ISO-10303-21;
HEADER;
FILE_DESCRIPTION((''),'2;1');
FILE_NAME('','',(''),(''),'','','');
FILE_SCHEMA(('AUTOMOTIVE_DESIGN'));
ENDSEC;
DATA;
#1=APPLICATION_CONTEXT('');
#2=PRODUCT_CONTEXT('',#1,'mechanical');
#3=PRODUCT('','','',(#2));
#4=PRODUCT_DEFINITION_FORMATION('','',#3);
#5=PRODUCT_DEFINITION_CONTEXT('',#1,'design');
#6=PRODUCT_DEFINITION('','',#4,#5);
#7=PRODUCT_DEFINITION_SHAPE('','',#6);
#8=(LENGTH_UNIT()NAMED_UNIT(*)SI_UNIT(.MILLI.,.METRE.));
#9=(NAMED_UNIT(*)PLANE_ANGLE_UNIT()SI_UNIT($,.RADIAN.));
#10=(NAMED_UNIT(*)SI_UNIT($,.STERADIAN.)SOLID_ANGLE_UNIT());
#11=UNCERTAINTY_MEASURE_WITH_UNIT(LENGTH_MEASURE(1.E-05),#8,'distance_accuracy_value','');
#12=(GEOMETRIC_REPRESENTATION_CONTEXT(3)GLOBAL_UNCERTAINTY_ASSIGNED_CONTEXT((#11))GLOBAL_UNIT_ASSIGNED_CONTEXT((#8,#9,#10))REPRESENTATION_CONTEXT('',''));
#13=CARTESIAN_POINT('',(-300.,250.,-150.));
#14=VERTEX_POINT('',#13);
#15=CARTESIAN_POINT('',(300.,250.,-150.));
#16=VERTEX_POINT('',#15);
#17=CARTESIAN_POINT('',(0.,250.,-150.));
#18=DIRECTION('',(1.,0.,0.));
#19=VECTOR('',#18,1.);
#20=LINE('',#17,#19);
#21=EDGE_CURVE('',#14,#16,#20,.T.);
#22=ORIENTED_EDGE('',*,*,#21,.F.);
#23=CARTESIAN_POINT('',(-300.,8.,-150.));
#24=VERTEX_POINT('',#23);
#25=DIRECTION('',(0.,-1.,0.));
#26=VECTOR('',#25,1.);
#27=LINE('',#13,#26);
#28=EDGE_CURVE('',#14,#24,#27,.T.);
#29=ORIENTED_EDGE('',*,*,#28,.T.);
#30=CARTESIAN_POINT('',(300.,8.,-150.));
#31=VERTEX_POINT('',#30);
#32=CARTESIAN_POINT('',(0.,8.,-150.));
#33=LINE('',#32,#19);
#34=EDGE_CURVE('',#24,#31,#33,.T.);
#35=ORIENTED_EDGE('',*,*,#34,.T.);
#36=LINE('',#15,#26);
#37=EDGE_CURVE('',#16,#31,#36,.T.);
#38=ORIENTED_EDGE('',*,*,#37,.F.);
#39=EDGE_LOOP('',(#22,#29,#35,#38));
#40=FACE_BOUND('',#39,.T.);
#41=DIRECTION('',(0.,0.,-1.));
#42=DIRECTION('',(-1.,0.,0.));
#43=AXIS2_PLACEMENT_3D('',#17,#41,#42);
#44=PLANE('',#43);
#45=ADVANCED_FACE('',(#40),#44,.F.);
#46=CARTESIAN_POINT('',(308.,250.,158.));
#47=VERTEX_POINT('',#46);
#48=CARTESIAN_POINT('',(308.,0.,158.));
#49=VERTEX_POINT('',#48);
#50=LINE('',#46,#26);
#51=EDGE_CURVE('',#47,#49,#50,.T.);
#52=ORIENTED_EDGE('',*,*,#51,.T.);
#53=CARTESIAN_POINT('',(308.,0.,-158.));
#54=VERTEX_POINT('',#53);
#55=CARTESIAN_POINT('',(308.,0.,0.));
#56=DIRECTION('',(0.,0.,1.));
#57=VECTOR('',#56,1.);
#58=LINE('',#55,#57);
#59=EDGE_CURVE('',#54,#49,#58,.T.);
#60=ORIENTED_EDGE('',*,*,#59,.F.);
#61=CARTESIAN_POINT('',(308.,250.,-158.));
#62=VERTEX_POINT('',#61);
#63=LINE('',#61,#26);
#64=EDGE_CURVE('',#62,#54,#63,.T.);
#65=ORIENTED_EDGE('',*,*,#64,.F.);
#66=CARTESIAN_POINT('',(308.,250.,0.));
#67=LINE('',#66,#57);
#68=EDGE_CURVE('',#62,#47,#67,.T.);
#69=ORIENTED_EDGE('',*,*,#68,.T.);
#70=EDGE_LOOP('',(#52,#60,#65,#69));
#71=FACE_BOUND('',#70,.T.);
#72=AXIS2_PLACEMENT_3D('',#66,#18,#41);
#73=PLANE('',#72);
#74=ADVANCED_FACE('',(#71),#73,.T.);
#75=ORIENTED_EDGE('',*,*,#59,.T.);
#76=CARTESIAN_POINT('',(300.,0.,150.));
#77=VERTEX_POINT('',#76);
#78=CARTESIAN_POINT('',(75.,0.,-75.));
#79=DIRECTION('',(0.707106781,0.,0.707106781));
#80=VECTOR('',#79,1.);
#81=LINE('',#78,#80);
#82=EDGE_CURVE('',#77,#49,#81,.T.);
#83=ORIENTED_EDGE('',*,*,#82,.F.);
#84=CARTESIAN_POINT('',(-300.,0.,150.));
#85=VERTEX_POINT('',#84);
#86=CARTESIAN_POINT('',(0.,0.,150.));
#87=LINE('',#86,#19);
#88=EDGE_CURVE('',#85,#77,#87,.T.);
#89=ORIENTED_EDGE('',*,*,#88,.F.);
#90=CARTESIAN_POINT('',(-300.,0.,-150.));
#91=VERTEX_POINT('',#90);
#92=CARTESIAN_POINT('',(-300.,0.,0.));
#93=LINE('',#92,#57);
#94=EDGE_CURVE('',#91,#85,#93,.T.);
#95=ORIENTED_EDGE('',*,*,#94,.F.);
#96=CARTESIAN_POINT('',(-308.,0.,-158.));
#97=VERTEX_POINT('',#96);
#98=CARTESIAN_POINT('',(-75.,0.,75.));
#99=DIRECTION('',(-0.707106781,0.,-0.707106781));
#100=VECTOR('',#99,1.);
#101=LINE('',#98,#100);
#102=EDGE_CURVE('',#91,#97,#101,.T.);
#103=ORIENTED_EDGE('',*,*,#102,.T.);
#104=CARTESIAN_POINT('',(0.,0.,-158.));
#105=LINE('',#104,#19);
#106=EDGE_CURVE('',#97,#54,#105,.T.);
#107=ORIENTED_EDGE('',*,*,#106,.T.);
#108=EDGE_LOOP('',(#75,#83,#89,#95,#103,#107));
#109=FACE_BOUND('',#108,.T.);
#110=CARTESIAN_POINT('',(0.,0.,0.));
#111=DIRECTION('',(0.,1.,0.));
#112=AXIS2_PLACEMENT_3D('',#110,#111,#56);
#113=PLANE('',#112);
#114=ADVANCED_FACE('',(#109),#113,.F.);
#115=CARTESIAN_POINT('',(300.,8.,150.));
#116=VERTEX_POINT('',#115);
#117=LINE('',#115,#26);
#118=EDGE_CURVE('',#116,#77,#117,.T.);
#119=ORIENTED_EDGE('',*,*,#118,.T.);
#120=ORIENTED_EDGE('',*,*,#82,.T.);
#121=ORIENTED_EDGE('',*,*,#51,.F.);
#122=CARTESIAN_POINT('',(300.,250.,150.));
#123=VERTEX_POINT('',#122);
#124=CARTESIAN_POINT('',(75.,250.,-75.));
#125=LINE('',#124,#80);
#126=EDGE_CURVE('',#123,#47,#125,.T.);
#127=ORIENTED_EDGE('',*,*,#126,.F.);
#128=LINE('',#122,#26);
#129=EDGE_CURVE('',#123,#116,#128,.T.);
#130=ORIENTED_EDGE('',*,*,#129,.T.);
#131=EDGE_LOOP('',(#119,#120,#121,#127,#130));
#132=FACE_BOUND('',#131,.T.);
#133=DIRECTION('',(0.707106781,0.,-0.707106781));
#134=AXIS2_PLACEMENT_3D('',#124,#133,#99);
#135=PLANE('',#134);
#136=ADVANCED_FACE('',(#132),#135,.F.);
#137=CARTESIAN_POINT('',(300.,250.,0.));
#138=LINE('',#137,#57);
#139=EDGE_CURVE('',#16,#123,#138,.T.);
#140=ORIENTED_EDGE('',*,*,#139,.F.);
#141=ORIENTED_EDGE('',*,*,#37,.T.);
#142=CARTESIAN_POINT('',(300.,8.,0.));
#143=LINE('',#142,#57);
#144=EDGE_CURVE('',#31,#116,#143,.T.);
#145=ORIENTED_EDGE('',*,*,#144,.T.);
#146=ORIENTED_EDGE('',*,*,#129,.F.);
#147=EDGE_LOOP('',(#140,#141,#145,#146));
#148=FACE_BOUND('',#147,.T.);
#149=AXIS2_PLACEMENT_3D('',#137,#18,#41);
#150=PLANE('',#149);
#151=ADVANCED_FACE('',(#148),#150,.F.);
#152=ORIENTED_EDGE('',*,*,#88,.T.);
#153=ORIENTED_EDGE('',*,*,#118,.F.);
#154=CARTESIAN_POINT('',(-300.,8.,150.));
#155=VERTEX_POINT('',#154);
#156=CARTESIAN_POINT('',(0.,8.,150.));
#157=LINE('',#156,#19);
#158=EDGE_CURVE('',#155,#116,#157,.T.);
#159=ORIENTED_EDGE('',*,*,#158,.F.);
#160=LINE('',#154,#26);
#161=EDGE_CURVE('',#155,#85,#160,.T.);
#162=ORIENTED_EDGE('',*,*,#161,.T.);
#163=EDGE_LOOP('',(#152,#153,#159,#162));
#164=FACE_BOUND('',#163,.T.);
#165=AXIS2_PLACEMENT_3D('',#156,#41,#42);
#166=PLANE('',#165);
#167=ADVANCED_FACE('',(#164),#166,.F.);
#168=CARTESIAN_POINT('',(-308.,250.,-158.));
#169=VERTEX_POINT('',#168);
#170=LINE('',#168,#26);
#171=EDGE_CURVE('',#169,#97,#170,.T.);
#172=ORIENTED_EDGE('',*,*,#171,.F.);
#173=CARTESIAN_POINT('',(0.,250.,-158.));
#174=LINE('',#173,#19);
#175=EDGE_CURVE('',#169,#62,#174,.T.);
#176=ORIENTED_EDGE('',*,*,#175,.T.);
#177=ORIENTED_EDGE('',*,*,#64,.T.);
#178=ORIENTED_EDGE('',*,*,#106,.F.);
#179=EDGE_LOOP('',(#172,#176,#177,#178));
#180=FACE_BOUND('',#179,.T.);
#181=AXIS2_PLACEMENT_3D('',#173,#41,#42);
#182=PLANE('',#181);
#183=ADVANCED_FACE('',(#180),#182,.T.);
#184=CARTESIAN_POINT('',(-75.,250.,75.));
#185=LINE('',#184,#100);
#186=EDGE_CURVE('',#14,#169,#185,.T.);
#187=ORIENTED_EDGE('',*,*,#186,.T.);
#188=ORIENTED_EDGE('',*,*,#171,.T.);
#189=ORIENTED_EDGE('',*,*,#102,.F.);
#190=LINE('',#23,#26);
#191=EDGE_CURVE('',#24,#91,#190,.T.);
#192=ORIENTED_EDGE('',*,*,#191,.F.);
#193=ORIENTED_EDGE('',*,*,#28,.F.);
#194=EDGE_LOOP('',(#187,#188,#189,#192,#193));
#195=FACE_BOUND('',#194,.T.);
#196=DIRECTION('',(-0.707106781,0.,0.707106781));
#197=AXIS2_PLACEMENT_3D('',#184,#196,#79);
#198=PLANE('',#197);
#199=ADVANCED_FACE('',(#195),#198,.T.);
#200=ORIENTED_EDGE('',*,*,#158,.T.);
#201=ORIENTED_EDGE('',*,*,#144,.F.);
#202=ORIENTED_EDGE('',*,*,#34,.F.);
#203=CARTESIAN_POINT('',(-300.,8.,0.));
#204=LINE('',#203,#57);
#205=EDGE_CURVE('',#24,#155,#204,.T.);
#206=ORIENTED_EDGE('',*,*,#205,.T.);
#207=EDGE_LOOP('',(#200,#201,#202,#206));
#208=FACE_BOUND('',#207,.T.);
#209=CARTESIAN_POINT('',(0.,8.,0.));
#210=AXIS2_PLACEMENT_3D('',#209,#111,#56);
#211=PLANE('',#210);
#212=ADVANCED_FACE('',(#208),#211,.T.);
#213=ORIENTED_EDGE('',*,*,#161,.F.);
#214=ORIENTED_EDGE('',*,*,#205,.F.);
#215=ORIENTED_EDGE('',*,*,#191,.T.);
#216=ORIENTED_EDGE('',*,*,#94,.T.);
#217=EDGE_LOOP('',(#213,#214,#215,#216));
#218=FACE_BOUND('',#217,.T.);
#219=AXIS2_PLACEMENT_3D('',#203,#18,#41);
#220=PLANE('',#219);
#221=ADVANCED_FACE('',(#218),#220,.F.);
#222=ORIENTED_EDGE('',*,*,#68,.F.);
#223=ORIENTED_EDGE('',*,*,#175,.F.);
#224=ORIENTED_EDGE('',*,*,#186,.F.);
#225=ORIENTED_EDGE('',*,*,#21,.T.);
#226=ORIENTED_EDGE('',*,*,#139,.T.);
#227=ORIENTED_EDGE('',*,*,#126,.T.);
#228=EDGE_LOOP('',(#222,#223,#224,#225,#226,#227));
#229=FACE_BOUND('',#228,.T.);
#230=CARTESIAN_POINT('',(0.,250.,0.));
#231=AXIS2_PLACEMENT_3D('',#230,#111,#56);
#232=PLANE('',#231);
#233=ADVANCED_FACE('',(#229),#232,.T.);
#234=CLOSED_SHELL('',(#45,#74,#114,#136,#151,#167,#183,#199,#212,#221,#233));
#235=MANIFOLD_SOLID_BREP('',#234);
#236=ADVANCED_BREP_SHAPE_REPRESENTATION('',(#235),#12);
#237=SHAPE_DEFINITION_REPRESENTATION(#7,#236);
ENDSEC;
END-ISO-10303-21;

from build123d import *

# Parameters (mm, degrees)
BOSS_EXTRUDE2_DEPTH = 250
SKETCH2_8_W         = 600
SKETCH2_8_H         = 300
BOSS_EXTRUDE3_DEPTH = 8


with BuildPart() as part:
    # Sketch2 → Boss-Extrude2 (new body)
    with BuildSketch(Plane(origin=(0, 0, 0), x_dir=(1, 0, 0), z_dir=(0, 1, 0))):
        Polygon((-308, 158), (-300, 150), (300, 150), (300, -150), (308, -158), (308, 158), align=None)
    extrude(amount=BOSS_EXTRUDE2_DEPTH)

    # Sketch2<8> → Boss-Extrude3 (add)
    with BuildSketch(Plane(origin=(0, 0, 0), x_dir=(1, 0, 0), z_dir=(0, 1, 0))):
        Rectangle(SKETCH2_8_W, SKETCH2_8_H)
    extrude(amount=BOSS_EXTRUDE3_DEPTH)


solid = part.part
